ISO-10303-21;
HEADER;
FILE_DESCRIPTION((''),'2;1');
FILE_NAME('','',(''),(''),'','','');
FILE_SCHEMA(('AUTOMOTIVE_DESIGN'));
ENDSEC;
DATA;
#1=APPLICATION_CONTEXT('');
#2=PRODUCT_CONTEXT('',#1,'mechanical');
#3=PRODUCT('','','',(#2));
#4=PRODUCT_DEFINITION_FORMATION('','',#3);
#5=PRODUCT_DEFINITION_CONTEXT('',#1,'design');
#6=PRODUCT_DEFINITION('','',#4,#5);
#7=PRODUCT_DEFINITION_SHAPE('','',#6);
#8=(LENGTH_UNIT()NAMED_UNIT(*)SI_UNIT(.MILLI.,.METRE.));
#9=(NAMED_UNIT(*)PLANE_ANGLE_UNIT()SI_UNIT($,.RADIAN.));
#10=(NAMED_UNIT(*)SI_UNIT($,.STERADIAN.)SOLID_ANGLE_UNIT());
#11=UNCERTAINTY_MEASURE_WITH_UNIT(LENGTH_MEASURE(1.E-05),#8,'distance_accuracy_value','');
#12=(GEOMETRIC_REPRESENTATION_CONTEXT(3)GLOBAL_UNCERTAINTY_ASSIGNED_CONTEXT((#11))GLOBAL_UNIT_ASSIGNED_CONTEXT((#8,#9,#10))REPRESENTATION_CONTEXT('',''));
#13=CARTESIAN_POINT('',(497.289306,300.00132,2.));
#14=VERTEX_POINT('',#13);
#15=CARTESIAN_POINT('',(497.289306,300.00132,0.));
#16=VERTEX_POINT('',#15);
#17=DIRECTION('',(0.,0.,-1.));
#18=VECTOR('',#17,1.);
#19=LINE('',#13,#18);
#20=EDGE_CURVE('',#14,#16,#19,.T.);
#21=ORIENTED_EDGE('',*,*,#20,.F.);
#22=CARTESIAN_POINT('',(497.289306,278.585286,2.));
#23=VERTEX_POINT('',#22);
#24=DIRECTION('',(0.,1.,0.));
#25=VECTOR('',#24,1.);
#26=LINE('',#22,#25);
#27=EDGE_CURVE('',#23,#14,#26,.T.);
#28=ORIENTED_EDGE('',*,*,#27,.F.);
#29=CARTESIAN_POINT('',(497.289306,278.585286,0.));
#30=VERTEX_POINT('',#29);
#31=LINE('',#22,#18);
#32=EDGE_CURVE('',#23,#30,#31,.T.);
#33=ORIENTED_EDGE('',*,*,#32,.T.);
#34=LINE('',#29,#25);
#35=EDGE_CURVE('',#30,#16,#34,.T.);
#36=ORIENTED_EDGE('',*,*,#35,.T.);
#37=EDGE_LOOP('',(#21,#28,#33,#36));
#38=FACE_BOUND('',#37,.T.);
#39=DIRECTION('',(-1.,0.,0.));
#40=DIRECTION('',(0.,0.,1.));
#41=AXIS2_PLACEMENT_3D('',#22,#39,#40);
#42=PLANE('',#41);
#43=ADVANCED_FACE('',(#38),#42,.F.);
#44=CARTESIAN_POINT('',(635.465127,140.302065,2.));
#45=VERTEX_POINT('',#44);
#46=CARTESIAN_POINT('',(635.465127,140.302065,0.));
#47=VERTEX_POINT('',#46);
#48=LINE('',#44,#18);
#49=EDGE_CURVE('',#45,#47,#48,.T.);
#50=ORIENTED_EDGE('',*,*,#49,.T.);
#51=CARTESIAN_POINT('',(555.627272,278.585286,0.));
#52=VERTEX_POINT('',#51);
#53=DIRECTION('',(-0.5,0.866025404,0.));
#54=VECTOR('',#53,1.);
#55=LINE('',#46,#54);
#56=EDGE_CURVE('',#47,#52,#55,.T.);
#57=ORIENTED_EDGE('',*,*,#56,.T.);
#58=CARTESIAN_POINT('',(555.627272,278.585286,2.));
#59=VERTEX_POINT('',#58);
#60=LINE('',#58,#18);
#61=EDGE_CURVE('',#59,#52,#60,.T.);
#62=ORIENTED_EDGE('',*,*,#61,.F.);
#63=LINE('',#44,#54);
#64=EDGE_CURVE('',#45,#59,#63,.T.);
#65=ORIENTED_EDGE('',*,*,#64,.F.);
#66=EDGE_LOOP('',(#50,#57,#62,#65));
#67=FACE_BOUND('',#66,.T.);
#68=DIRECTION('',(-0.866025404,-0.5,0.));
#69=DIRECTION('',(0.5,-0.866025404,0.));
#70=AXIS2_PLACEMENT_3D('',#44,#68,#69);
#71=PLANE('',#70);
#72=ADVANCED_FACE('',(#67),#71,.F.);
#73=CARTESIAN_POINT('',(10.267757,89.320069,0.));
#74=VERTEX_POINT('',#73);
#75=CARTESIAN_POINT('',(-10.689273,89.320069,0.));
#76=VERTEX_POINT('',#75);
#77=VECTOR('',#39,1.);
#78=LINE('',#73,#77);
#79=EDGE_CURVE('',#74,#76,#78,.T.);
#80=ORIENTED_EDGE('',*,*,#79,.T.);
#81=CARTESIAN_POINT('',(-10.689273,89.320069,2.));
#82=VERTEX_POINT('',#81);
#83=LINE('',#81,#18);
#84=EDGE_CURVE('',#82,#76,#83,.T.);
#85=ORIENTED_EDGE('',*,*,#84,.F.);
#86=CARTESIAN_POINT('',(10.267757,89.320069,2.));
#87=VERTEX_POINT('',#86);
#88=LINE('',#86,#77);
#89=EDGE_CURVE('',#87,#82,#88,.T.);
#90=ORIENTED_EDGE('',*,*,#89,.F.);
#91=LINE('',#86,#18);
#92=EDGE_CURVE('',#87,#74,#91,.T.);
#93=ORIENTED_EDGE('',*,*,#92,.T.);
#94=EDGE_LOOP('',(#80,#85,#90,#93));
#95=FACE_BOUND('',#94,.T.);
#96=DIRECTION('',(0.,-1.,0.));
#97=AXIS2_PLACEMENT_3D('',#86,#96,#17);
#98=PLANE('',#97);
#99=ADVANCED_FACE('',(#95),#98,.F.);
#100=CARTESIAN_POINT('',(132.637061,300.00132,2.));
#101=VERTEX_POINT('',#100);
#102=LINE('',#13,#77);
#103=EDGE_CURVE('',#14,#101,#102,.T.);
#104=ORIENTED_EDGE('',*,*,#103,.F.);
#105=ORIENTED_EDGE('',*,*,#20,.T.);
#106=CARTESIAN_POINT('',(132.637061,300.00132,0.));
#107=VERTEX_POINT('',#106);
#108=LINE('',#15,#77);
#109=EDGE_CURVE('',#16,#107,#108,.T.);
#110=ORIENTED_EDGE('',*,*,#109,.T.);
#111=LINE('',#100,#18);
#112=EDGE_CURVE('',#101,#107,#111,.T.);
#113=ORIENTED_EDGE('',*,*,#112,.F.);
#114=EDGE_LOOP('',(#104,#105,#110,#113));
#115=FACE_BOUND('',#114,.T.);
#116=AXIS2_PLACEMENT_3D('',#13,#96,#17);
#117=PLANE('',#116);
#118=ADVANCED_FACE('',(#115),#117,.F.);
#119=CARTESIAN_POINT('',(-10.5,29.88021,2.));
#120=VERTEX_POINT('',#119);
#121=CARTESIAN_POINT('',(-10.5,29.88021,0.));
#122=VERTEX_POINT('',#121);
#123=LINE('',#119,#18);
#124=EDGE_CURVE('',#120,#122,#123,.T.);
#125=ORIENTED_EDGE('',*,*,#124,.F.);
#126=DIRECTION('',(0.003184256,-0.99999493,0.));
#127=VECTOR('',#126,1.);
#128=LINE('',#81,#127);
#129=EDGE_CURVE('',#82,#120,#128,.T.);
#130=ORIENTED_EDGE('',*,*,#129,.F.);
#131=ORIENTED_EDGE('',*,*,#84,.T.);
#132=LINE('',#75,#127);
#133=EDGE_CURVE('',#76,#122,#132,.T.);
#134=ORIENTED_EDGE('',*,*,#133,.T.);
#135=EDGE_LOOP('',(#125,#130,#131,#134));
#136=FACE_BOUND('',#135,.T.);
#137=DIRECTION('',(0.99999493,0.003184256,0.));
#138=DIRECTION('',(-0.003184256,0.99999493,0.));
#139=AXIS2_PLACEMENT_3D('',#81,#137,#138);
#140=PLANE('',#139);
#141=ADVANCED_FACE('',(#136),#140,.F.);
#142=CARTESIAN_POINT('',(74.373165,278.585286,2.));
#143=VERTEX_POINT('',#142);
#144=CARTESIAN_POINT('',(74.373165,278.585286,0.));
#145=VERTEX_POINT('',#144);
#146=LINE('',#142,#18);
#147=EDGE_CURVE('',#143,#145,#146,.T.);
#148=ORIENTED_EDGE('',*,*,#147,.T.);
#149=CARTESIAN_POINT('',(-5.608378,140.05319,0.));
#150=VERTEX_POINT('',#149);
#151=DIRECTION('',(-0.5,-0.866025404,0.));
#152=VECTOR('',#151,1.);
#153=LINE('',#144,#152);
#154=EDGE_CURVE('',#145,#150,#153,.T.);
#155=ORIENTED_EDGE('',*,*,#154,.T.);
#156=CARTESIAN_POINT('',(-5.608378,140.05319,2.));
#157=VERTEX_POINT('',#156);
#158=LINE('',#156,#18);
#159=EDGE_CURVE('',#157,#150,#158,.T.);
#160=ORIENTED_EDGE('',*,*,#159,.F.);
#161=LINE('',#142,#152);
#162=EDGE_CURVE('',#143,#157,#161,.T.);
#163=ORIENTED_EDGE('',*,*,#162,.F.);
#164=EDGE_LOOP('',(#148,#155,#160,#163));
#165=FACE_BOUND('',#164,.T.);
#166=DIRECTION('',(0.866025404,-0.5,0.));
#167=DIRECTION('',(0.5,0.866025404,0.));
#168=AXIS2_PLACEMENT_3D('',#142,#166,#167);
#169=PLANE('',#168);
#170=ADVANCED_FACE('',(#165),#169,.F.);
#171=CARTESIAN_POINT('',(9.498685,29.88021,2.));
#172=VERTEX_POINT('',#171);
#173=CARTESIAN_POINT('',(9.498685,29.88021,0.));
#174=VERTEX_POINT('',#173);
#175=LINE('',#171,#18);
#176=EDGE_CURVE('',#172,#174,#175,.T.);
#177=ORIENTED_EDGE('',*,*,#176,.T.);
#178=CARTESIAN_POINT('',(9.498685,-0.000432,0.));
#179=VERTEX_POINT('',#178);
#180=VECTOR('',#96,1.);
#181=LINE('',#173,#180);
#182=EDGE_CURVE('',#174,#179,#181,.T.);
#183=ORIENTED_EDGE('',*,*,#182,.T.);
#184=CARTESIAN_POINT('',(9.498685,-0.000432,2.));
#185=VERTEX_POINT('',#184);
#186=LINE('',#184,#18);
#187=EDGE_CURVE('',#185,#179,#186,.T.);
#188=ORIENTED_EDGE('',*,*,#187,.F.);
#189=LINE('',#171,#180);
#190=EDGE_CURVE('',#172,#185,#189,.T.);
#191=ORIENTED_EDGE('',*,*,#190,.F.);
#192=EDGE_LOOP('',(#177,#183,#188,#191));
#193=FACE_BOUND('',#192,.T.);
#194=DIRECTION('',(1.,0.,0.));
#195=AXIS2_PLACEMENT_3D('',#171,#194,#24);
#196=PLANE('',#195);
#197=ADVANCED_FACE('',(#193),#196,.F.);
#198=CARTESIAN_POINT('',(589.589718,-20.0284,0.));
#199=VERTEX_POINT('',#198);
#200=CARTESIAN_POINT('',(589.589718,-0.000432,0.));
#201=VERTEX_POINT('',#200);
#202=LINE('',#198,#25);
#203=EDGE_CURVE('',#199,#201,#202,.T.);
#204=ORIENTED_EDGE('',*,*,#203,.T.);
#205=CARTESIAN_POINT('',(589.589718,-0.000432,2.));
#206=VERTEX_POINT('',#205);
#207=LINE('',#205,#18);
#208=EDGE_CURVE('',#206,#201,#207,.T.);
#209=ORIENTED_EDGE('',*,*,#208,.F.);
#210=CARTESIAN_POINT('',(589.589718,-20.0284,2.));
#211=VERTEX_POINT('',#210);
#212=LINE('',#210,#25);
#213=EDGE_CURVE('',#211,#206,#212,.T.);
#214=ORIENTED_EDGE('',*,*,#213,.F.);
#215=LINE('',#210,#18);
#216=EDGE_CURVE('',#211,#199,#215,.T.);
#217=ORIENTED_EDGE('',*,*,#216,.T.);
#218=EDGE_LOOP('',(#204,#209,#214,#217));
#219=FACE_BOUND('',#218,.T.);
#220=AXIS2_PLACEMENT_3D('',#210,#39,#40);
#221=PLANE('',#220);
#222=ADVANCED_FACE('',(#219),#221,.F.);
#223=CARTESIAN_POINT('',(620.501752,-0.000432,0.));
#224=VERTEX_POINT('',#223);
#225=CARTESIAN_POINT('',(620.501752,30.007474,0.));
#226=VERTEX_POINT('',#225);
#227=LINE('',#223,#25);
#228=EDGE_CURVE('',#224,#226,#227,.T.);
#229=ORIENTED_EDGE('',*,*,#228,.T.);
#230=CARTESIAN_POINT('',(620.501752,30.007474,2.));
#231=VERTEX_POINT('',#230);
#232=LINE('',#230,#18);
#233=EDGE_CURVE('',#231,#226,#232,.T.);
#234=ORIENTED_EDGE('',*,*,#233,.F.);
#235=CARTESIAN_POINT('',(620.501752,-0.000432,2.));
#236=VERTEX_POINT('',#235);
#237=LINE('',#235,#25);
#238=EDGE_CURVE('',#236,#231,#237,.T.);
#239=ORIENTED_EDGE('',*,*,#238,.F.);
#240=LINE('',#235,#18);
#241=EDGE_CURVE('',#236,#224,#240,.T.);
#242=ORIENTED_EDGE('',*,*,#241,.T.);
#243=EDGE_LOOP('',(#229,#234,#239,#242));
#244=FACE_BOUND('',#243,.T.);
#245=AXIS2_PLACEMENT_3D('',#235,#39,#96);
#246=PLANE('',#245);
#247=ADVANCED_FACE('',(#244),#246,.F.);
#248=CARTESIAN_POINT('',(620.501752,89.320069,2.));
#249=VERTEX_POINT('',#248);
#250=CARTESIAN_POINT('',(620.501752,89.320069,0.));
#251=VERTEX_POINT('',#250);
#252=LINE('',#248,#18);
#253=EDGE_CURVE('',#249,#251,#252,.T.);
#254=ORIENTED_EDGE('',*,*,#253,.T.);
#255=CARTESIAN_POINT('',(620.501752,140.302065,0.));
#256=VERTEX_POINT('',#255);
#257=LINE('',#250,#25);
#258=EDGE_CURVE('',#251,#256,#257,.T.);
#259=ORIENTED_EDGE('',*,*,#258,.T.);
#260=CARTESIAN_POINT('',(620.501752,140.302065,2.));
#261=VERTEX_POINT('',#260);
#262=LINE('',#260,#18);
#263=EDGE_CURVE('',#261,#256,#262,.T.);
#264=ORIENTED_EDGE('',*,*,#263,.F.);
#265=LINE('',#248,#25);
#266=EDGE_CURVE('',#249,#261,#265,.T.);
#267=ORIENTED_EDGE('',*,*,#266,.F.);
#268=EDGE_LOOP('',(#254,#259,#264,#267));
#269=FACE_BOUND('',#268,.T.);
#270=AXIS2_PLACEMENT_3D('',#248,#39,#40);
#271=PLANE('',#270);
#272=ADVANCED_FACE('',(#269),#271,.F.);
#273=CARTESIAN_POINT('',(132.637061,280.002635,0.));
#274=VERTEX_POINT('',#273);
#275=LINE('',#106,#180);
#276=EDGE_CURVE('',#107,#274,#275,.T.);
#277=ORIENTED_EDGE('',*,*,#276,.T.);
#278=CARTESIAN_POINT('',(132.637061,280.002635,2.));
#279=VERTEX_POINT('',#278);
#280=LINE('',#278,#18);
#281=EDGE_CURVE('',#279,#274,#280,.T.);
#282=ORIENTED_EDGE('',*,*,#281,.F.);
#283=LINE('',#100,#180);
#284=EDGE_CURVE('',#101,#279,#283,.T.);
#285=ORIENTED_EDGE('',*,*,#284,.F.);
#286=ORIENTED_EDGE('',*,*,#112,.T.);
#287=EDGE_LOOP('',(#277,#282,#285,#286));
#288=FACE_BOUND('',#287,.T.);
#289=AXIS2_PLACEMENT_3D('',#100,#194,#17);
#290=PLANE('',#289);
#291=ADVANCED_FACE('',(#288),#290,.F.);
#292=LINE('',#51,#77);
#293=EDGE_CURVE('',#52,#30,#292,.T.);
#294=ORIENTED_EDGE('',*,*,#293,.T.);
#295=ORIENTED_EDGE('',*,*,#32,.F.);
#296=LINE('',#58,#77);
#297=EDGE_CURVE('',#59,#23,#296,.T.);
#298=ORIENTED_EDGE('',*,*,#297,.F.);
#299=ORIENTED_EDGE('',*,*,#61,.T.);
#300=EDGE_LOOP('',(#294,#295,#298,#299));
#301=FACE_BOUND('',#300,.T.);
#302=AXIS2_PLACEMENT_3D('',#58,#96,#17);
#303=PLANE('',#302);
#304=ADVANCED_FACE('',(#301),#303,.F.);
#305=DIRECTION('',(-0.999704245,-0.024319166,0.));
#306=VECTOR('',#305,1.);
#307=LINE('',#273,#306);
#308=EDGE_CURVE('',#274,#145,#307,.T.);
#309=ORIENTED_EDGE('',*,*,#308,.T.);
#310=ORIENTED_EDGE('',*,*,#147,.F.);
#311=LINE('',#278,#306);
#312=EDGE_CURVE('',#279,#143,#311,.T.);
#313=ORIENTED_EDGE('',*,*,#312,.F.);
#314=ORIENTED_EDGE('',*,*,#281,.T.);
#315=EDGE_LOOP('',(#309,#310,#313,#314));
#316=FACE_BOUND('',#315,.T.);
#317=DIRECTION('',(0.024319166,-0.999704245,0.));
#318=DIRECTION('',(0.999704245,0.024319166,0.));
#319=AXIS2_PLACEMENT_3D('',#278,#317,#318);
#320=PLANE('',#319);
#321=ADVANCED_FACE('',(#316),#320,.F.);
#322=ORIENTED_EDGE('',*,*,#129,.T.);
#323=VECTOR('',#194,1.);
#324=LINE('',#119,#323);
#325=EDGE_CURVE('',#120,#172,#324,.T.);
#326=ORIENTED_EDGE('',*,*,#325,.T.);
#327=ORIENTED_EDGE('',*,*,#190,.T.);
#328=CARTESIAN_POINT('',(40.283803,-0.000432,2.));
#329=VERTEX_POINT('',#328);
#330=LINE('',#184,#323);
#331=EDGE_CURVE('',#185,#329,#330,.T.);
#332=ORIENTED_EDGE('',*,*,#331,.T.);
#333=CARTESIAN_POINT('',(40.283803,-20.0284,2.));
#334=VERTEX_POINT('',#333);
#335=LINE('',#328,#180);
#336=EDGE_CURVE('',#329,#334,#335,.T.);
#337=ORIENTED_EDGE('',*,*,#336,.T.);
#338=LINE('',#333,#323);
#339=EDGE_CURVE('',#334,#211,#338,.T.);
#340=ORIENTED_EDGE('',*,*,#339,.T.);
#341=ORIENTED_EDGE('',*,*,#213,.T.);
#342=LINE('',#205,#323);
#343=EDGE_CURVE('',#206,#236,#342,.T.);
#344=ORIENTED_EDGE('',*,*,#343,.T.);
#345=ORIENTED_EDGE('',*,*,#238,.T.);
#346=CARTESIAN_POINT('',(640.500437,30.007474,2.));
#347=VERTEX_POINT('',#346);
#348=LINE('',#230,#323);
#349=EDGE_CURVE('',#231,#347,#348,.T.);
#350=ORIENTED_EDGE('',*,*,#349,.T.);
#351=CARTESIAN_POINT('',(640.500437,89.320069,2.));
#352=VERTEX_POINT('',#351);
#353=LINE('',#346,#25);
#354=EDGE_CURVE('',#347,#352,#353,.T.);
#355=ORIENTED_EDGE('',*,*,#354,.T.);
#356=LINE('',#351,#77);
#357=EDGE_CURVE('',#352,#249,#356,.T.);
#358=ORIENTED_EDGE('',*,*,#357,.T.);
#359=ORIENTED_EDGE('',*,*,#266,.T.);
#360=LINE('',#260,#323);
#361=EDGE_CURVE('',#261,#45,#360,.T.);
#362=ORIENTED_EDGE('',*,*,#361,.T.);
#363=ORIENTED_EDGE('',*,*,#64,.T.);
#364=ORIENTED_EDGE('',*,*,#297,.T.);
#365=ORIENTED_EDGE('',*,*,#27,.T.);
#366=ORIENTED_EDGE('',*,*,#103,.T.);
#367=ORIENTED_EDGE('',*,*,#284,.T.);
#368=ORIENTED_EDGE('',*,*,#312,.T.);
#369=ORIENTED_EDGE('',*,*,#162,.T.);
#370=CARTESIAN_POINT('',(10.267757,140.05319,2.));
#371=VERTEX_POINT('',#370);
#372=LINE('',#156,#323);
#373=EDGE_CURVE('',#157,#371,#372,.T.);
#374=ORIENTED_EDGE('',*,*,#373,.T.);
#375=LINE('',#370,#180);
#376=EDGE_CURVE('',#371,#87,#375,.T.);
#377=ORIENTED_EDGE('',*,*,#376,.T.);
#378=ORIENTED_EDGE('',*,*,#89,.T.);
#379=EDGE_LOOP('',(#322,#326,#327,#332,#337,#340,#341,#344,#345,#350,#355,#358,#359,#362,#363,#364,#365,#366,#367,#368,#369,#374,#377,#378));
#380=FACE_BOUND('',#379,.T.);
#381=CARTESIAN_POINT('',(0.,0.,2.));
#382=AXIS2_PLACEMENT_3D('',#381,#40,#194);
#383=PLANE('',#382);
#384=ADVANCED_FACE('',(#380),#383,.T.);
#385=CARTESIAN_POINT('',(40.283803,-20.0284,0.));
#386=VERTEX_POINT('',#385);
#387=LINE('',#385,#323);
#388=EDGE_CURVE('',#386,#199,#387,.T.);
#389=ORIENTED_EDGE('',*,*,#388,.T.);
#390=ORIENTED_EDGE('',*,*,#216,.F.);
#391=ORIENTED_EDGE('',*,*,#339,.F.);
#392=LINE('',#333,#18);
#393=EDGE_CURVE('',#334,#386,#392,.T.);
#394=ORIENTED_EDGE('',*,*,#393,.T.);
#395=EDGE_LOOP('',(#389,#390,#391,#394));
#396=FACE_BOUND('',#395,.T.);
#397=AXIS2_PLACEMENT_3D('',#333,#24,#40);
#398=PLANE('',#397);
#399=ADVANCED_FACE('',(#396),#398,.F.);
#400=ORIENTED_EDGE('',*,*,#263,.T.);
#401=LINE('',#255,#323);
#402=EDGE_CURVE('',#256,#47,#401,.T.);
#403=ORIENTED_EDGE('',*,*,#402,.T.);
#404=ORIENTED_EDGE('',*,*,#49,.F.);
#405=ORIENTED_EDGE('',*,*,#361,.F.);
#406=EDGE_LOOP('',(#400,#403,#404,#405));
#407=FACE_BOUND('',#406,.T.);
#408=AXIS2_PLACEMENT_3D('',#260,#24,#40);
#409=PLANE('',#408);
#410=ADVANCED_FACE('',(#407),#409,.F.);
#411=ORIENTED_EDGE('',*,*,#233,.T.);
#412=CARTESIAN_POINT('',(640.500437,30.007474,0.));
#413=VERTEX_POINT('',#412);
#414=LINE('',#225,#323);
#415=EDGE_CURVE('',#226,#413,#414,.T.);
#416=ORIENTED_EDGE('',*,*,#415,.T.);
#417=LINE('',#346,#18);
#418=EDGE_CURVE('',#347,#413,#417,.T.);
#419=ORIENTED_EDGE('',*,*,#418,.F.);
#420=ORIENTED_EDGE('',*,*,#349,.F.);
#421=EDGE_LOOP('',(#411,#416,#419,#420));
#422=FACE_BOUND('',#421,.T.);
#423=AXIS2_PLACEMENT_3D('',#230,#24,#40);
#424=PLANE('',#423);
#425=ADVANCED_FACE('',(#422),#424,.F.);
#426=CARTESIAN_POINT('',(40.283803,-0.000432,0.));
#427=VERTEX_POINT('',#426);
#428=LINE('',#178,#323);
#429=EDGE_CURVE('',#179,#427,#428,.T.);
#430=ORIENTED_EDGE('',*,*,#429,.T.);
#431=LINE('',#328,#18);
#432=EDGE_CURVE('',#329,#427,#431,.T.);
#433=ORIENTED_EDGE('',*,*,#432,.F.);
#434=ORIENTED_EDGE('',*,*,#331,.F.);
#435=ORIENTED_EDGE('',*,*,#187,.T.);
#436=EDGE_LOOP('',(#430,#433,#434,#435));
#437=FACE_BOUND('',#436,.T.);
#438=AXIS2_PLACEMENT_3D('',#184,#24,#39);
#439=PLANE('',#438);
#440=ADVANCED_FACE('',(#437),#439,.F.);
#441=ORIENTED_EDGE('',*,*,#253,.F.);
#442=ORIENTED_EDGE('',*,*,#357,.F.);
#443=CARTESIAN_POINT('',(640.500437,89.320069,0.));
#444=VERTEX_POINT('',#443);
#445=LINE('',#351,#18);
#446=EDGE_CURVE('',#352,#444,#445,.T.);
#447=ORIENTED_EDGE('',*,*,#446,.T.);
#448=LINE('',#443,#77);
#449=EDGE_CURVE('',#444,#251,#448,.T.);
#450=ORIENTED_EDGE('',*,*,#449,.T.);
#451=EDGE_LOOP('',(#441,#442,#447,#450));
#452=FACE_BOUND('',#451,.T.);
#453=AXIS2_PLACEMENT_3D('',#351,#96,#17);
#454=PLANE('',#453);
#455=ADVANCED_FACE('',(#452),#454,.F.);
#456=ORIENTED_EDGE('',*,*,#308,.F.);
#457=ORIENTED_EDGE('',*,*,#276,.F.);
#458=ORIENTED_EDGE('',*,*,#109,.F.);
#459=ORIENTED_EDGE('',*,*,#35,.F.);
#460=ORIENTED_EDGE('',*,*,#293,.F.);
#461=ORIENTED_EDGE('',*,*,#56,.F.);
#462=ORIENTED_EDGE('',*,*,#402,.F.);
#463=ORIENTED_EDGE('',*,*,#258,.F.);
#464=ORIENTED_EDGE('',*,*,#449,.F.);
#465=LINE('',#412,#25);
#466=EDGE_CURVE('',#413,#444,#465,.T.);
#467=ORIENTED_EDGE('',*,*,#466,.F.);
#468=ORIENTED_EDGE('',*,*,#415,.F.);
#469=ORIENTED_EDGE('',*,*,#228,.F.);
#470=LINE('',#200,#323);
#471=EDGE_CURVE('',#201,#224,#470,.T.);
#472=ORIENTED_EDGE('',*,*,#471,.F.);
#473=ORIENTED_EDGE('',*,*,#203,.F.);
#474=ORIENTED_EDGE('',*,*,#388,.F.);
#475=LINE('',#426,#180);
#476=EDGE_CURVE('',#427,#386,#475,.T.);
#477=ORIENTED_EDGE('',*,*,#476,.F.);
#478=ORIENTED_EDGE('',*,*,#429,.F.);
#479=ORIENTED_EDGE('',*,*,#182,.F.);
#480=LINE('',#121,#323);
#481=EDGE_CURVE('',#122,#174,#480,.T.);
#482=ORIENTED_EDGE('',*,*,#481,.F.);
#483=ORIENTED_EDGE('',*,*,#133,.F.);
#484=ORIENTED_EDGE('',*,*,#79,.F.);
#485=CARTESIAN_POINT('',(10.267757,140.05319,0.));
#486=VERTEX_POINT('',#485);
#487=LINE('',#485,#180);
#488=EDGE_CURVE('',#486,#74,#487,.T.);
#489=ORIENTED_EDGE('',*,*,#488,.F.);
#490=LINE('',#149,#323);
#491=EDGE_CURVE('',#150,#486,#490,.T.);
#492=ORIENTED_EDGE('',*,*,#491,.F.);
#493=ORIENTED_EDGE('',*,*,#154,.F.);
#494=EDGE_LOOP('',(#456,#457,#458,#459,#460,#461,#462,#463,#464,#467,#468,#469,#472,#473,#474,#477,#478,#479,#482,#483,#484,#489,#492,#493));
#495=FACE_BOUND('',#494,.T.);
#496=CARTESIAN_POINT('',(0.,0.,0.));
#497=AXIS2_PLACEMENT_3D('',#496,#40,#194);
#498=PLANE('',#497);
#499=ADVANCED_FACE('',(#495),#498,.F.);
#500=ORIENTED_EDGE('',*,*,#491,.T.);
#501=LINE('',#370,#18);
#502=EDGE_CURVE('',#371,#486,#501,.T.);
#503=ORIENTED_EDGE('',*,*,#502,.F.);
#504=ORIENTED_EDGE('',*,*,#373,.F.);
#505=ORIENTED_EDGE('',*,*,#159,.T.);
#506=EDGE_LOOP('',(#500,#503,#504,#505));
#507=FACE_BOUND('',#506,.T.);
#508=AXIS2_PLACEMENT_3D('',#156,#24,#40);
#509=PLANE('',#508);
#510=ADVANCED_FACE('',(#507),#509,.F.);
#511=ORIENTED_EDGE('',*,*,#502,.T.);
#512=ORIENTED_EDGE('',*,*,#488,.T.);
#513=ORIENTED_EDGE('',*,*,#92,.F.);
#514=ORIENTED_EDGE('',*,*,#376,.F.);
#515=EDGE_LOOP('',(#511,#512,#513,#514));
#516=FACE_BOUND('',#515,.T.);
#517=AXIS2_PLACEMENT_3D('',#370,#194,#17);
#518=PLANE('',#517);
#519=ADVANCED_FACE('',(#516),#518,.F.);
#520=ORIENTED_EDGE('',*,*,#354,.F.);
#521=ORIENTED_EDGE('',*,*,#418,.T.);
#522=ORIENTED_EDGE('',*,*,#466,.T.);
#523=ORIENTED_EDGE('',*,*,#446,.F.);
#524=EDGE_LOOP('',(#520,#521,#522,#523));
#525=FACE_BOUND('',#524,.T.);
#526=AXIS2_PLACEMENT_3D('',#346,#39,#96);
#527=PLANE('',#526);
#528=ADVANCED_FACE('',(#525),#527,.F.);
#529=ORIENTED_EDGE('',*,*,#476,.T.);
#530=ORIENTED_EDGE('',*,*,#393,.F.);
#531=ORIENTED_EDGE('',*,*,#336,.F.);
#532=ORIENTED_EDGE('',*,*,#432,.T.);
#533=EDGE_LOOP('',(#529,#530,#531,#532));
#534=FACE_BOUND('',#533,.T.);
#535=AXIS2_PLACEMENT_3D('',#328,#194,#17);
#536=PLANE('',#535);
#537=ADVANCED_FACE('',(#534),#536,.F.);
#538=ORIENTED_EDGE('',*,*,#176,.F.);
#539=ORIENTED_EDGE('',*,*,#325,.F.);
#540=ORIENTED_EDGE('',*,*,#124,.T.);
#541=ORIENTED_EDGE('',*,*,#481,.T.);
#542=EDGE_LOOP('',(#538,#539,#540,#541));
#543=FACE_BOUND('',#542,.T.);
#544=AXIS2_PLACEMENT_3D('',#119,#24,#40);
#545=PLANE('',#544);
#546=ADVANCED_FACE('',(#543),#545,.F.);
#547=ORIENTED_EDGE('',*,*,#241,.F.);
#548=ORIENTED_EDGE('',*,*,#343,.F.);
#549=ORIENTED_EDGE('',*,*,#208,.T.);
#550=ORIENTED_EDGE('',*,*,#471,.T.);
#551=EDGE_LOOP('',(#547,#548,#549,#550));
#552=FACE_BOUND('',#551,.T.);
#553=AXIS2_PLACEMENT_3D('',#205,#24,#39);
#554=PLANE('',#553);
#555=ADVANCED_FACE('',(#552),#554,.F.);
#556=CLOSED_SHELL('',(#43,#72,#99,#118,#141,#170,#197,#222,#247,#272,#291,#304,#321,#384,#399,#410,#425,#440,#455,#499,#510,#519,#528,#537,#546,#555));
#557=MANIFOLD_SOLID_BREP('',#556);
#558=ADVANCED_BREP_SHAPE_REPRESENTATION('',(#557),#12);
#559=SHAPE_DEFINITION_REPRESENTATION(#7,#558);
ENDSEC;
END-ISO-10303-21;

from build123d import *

# Parameters (mm, degrees)
BOSS_EXTRUDE1_DEPTH = 2


with BuildPart() as part:
    # Sketch1 → Boss-Extrude1 (new body)
    with BuildSketch(Plane.XY):
        Polygon((620.501751813, 140.30206511), (635.465126683, 140.30206511), (555.627271847, 278.585286054), (497.289305676, 278.585286054), (497.289305676, 300.001319811), (132.637060911, 300.001319811), (132.637060911, 280.002634605), (74.373165173, 278.585286054), (-5.60837801, 140.053189594), (10.267756977, 140.053189594), (10.267756977, 89.32006936), (-10.68927269, 89.32006936), (-10.5, 29.880209793), (9.498685206, 29.880209793), (9.498685206, -0.000432002), (40.283803364, -0.000432002), (40.283803364, -20.028400055), (589.589718053, -20.028400055), (589.589718053, -0.000432002), (620.501751813, -0.000432002), (620.501751813, 30.007474002), (640.500437019, 30.007474002), (640.500437019, 89.32006936), (620.501751813, 89.32006936), align=None)
    extrude(amount=BOSS_EXTRUDE1_DEPTH)


solid = part.part
